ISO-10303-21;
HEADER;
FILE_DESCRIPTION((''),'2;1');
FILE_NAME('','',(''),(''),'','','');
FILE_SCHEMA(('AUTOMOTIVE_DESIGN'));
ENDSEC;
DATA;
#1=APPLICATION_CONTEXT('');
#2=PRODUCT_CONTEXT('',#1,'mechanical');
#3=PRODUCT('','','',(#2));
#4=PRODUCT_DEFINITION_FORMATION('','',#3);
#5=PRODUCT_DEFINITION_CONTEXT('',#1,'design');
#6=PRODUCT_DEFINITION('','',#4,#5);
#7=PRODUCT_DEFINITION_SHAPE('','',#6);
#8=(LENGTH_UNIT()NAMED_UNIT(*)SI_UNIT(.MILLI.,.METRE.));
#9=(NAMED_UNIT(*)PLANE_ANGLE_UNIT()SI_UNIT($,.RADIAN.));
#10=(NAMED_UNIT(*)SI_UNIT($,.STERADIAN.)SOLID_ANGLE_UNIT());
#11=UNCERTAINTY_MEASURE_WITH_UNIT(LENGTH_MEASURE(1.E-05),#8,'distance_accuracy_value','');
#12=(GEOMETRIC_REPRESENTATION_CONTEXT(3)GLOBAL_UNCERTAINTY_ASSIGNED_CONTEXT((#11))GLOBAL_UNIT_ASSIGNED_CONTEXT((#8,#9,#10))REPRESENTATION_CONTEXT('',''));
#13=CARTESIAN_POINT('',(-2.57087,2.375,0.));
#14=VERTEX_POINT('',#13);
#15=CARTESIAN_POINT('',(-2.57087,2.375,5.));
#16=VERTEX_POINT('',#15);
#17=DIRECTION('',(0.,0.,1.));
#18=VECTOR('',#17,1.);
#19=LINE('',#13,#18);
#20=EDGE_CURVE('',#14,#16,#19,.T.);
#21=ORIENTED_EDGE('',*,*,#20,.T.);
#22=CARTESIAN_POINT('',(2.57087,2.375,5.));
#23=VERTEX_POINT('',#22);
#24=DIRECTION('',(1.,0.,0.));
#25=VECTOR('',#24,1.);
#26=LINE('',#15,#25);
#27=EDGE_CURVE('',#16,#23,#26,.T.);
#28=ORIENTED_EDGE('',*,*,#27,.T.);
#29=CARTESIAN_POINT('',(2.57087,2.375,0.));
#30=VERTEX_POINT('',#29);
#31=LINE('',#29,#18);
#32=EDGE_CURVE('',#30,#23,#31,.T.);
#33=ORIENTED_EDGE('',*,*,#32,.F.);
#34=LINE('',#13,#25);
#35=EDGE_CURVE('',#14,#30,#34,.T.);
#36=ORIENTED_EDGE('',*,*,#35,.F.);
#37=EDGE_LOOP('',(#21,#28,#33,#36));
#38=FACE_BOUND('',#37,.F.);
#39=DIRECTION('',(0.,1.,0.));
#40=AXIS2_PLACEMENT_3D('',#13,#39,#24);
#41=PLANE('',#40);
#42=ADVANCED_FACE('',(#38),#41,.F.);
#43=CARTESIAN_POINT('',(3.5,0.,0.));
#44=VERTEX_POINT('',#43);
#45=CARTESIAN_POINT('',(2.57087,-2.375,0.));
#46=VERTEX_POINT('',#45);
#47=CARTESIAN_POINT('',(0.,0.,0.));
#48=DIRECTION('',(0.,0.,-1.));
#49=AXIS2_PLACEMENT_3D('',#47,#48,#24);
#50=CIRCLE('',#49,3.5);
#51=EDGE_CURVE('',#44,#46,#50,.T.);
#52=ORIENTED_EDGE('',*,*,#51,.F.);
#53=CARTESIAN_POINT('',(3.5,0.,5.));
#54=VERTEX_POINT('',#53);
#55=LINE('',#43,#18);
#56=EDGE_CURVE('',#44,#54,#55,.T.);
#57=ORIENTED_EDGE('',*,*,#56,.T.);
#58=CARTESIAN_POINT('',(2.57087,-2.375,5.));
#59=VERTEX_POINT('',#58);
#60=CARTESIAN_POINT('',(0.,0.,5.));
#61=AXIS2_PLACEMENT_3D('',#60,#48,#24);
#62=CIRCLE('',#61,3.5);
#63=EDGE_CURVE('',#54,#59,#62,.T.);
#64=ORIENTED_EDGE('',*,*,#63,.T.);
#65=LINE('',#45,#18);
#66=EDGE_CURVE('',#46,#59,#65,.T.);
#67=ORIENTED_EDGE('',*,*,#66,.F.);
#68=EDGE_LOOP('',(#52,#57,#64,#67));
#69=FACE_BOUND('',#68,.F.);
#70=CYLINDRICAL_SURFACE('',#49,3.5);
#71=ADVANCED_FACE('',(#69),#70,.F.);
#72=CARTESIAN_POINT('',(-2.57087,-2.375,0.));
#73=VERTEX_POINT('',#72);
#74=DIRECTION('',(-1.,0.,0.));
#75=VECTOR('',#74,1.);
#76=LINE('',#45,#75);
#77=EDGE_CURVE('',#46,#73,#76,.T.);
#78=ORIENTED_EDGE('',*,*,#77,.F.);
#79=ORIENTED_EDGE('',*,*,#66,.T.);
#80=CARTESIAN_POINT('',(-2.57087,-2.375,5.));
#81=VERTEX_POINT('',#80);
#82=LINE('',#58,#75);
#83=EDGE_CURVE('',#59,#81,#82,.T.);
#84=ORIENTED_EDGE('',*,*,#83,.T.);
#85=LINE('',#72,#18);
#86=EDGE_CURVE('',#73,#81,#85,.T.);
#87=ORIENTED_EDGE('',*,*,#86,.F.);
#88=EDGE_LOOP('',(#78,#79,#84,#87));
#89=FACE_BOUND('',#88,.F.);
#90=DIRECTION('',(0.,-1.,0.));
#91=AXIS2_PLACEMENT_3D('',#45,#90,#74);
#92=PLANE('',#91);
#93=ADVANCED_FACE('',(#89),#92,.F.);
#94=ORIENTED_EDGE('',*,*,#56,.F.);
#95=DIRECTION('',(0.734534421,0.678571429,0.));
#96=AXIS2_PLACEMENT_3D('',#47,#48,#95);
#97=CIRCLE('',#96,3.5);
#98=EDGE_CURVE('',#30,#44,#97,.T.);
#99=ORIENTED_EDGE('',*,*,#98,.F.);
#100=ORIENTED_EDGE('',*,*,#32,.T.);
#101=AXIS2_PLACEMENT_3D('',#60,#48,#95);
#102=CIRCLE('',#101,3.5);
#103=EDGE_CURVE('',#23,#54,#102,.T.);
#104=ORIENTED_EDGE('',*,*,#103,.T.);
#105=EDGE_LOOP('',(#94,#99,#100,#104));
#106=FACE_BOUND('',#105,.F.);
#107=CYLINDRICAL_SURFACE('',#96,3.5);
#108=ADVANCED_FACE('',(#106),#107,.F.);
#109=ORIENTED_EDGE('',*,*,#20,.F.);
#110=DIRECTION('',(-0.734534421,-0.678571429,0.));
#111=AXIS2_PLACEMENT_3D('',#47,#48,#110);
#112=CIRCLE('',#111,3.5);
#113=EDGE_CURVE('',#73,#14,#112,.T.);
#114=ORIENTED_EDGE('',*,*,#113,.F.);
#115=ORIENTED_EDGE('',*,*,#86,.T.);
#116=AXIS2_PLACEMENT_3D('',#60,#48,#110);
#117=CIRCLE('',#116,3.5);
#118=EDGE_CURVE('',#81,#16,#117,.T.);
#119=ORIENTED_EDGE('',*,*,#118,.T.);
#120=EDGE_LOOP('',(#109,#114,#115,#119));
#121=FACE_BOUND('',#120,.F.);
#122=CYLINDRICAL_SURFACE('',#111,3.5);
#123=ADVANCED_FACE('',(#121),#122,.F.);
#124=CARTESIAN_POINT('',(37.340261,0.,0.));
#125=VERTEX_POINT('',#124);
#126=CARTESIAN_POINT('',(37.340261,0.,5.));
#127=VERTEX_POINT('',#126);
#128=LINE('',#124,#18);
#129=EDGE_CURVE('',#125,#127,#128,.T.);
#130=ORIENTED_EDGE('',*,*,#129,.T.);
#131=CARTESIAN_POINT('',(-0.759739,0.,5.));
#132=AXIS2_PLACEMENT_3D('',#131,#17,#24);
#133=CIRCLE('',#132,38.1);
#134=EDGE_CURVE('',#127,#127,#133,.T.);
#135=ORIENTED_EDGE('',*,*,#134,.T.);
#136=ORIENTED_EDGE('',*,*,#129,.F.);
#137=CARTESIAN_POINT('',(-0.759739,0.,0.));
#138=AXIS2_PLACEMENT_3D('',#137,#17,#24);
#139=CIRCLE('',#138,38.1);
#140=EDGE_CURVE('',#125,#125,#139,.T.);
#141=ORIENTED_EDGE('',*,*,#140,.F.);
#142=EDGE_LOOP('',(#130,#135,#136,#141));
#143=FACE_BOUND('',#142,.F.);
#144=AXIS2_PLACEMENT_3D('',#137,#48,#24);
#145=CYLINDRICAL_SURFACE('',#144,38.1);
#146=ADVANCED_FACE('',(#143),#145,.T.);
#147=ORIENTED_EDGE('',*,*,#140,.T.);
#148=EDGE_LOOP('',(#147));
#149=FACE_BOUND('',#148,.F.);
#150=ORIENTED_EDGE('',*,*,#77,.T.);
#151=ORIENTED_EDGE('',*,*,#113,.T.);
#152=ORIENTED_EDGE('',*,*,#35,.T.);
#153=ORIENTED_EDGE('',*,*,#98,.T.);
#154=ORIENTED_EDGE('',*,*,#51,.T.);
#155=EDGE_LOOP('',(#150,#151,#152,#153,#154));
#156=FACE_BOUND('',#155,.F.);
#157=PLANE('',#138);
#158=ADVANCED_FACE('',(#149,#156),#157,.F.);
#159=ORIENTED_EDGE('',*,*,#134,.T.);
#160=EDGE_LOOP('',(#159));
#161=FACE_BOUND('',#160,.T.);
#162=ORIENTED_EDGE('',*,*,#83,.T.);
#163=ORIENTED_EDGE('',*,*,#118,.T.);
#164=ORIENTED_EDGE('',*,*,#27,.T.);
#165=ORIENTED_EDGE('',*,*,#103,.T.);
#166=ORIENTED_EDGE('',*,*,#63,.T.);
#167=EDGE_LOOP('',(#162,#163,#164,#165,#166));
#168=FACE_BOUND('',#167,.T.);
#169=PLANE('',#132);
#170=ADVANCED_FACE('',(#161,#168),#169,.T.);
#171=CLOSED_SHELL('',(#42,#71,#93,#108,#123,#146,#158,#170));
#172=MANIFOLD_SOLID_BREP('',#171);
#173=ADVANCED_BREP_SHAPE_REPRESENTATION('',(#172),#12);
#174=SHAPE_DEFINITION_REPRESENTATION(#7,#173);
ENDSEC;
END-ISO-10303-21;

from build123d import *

# Parameters (mm, degrees)
F0_R     = 38.1
F1_DEPTH = 5


with BuildPart() as f1:
    # F0 (on Top) → F1 (new body)
    with BuildSketch(Plane.XY):
        with Locations((-0.759739487, 0)):
            Circle(F0_R)
        with BuildLine():
            ThreePointArc((2.5708704752, 2.375), (3.2594513851, 1.2751379018), (3.5, 0))
            ThreePointArc((3.5, 0), (3.2594513851, -1.2751379018), (2.5708704752, -2.375))
            ThreePointArc((2.5708704752, -2.375), (0, -3.5), (-2.5708704752, -2.375))
            ThreePointArc((-2.5708704752, -2.375), (-3.5, 0), (-2.5708704752, 2.375))
            ThreePointArc((-2.5708704752, 2.375), (0, 3.5), (2.5708704752, 2.375))
        make_face(mode=Mode.SUBTRACT)
        with BuildLine():
            Line((-2.5708704752, 2.375), (2.5708704752, 2.375))
            ThreePointArc((2.5708704752, 2.375), (0, 3.5), (-2.5708704752, 2.375))
        make_face()
        with BuildLine():
            ThreePointArc((-2.5708704752, -2.375), (0, -3.5), (2.5708704752, -2.375))
            Line((2.5708704752, -2.375), (-2.5708704752, -2.375))
        make_face()
    extrude(amount=F1_DEPTH)


solid = f1.part
